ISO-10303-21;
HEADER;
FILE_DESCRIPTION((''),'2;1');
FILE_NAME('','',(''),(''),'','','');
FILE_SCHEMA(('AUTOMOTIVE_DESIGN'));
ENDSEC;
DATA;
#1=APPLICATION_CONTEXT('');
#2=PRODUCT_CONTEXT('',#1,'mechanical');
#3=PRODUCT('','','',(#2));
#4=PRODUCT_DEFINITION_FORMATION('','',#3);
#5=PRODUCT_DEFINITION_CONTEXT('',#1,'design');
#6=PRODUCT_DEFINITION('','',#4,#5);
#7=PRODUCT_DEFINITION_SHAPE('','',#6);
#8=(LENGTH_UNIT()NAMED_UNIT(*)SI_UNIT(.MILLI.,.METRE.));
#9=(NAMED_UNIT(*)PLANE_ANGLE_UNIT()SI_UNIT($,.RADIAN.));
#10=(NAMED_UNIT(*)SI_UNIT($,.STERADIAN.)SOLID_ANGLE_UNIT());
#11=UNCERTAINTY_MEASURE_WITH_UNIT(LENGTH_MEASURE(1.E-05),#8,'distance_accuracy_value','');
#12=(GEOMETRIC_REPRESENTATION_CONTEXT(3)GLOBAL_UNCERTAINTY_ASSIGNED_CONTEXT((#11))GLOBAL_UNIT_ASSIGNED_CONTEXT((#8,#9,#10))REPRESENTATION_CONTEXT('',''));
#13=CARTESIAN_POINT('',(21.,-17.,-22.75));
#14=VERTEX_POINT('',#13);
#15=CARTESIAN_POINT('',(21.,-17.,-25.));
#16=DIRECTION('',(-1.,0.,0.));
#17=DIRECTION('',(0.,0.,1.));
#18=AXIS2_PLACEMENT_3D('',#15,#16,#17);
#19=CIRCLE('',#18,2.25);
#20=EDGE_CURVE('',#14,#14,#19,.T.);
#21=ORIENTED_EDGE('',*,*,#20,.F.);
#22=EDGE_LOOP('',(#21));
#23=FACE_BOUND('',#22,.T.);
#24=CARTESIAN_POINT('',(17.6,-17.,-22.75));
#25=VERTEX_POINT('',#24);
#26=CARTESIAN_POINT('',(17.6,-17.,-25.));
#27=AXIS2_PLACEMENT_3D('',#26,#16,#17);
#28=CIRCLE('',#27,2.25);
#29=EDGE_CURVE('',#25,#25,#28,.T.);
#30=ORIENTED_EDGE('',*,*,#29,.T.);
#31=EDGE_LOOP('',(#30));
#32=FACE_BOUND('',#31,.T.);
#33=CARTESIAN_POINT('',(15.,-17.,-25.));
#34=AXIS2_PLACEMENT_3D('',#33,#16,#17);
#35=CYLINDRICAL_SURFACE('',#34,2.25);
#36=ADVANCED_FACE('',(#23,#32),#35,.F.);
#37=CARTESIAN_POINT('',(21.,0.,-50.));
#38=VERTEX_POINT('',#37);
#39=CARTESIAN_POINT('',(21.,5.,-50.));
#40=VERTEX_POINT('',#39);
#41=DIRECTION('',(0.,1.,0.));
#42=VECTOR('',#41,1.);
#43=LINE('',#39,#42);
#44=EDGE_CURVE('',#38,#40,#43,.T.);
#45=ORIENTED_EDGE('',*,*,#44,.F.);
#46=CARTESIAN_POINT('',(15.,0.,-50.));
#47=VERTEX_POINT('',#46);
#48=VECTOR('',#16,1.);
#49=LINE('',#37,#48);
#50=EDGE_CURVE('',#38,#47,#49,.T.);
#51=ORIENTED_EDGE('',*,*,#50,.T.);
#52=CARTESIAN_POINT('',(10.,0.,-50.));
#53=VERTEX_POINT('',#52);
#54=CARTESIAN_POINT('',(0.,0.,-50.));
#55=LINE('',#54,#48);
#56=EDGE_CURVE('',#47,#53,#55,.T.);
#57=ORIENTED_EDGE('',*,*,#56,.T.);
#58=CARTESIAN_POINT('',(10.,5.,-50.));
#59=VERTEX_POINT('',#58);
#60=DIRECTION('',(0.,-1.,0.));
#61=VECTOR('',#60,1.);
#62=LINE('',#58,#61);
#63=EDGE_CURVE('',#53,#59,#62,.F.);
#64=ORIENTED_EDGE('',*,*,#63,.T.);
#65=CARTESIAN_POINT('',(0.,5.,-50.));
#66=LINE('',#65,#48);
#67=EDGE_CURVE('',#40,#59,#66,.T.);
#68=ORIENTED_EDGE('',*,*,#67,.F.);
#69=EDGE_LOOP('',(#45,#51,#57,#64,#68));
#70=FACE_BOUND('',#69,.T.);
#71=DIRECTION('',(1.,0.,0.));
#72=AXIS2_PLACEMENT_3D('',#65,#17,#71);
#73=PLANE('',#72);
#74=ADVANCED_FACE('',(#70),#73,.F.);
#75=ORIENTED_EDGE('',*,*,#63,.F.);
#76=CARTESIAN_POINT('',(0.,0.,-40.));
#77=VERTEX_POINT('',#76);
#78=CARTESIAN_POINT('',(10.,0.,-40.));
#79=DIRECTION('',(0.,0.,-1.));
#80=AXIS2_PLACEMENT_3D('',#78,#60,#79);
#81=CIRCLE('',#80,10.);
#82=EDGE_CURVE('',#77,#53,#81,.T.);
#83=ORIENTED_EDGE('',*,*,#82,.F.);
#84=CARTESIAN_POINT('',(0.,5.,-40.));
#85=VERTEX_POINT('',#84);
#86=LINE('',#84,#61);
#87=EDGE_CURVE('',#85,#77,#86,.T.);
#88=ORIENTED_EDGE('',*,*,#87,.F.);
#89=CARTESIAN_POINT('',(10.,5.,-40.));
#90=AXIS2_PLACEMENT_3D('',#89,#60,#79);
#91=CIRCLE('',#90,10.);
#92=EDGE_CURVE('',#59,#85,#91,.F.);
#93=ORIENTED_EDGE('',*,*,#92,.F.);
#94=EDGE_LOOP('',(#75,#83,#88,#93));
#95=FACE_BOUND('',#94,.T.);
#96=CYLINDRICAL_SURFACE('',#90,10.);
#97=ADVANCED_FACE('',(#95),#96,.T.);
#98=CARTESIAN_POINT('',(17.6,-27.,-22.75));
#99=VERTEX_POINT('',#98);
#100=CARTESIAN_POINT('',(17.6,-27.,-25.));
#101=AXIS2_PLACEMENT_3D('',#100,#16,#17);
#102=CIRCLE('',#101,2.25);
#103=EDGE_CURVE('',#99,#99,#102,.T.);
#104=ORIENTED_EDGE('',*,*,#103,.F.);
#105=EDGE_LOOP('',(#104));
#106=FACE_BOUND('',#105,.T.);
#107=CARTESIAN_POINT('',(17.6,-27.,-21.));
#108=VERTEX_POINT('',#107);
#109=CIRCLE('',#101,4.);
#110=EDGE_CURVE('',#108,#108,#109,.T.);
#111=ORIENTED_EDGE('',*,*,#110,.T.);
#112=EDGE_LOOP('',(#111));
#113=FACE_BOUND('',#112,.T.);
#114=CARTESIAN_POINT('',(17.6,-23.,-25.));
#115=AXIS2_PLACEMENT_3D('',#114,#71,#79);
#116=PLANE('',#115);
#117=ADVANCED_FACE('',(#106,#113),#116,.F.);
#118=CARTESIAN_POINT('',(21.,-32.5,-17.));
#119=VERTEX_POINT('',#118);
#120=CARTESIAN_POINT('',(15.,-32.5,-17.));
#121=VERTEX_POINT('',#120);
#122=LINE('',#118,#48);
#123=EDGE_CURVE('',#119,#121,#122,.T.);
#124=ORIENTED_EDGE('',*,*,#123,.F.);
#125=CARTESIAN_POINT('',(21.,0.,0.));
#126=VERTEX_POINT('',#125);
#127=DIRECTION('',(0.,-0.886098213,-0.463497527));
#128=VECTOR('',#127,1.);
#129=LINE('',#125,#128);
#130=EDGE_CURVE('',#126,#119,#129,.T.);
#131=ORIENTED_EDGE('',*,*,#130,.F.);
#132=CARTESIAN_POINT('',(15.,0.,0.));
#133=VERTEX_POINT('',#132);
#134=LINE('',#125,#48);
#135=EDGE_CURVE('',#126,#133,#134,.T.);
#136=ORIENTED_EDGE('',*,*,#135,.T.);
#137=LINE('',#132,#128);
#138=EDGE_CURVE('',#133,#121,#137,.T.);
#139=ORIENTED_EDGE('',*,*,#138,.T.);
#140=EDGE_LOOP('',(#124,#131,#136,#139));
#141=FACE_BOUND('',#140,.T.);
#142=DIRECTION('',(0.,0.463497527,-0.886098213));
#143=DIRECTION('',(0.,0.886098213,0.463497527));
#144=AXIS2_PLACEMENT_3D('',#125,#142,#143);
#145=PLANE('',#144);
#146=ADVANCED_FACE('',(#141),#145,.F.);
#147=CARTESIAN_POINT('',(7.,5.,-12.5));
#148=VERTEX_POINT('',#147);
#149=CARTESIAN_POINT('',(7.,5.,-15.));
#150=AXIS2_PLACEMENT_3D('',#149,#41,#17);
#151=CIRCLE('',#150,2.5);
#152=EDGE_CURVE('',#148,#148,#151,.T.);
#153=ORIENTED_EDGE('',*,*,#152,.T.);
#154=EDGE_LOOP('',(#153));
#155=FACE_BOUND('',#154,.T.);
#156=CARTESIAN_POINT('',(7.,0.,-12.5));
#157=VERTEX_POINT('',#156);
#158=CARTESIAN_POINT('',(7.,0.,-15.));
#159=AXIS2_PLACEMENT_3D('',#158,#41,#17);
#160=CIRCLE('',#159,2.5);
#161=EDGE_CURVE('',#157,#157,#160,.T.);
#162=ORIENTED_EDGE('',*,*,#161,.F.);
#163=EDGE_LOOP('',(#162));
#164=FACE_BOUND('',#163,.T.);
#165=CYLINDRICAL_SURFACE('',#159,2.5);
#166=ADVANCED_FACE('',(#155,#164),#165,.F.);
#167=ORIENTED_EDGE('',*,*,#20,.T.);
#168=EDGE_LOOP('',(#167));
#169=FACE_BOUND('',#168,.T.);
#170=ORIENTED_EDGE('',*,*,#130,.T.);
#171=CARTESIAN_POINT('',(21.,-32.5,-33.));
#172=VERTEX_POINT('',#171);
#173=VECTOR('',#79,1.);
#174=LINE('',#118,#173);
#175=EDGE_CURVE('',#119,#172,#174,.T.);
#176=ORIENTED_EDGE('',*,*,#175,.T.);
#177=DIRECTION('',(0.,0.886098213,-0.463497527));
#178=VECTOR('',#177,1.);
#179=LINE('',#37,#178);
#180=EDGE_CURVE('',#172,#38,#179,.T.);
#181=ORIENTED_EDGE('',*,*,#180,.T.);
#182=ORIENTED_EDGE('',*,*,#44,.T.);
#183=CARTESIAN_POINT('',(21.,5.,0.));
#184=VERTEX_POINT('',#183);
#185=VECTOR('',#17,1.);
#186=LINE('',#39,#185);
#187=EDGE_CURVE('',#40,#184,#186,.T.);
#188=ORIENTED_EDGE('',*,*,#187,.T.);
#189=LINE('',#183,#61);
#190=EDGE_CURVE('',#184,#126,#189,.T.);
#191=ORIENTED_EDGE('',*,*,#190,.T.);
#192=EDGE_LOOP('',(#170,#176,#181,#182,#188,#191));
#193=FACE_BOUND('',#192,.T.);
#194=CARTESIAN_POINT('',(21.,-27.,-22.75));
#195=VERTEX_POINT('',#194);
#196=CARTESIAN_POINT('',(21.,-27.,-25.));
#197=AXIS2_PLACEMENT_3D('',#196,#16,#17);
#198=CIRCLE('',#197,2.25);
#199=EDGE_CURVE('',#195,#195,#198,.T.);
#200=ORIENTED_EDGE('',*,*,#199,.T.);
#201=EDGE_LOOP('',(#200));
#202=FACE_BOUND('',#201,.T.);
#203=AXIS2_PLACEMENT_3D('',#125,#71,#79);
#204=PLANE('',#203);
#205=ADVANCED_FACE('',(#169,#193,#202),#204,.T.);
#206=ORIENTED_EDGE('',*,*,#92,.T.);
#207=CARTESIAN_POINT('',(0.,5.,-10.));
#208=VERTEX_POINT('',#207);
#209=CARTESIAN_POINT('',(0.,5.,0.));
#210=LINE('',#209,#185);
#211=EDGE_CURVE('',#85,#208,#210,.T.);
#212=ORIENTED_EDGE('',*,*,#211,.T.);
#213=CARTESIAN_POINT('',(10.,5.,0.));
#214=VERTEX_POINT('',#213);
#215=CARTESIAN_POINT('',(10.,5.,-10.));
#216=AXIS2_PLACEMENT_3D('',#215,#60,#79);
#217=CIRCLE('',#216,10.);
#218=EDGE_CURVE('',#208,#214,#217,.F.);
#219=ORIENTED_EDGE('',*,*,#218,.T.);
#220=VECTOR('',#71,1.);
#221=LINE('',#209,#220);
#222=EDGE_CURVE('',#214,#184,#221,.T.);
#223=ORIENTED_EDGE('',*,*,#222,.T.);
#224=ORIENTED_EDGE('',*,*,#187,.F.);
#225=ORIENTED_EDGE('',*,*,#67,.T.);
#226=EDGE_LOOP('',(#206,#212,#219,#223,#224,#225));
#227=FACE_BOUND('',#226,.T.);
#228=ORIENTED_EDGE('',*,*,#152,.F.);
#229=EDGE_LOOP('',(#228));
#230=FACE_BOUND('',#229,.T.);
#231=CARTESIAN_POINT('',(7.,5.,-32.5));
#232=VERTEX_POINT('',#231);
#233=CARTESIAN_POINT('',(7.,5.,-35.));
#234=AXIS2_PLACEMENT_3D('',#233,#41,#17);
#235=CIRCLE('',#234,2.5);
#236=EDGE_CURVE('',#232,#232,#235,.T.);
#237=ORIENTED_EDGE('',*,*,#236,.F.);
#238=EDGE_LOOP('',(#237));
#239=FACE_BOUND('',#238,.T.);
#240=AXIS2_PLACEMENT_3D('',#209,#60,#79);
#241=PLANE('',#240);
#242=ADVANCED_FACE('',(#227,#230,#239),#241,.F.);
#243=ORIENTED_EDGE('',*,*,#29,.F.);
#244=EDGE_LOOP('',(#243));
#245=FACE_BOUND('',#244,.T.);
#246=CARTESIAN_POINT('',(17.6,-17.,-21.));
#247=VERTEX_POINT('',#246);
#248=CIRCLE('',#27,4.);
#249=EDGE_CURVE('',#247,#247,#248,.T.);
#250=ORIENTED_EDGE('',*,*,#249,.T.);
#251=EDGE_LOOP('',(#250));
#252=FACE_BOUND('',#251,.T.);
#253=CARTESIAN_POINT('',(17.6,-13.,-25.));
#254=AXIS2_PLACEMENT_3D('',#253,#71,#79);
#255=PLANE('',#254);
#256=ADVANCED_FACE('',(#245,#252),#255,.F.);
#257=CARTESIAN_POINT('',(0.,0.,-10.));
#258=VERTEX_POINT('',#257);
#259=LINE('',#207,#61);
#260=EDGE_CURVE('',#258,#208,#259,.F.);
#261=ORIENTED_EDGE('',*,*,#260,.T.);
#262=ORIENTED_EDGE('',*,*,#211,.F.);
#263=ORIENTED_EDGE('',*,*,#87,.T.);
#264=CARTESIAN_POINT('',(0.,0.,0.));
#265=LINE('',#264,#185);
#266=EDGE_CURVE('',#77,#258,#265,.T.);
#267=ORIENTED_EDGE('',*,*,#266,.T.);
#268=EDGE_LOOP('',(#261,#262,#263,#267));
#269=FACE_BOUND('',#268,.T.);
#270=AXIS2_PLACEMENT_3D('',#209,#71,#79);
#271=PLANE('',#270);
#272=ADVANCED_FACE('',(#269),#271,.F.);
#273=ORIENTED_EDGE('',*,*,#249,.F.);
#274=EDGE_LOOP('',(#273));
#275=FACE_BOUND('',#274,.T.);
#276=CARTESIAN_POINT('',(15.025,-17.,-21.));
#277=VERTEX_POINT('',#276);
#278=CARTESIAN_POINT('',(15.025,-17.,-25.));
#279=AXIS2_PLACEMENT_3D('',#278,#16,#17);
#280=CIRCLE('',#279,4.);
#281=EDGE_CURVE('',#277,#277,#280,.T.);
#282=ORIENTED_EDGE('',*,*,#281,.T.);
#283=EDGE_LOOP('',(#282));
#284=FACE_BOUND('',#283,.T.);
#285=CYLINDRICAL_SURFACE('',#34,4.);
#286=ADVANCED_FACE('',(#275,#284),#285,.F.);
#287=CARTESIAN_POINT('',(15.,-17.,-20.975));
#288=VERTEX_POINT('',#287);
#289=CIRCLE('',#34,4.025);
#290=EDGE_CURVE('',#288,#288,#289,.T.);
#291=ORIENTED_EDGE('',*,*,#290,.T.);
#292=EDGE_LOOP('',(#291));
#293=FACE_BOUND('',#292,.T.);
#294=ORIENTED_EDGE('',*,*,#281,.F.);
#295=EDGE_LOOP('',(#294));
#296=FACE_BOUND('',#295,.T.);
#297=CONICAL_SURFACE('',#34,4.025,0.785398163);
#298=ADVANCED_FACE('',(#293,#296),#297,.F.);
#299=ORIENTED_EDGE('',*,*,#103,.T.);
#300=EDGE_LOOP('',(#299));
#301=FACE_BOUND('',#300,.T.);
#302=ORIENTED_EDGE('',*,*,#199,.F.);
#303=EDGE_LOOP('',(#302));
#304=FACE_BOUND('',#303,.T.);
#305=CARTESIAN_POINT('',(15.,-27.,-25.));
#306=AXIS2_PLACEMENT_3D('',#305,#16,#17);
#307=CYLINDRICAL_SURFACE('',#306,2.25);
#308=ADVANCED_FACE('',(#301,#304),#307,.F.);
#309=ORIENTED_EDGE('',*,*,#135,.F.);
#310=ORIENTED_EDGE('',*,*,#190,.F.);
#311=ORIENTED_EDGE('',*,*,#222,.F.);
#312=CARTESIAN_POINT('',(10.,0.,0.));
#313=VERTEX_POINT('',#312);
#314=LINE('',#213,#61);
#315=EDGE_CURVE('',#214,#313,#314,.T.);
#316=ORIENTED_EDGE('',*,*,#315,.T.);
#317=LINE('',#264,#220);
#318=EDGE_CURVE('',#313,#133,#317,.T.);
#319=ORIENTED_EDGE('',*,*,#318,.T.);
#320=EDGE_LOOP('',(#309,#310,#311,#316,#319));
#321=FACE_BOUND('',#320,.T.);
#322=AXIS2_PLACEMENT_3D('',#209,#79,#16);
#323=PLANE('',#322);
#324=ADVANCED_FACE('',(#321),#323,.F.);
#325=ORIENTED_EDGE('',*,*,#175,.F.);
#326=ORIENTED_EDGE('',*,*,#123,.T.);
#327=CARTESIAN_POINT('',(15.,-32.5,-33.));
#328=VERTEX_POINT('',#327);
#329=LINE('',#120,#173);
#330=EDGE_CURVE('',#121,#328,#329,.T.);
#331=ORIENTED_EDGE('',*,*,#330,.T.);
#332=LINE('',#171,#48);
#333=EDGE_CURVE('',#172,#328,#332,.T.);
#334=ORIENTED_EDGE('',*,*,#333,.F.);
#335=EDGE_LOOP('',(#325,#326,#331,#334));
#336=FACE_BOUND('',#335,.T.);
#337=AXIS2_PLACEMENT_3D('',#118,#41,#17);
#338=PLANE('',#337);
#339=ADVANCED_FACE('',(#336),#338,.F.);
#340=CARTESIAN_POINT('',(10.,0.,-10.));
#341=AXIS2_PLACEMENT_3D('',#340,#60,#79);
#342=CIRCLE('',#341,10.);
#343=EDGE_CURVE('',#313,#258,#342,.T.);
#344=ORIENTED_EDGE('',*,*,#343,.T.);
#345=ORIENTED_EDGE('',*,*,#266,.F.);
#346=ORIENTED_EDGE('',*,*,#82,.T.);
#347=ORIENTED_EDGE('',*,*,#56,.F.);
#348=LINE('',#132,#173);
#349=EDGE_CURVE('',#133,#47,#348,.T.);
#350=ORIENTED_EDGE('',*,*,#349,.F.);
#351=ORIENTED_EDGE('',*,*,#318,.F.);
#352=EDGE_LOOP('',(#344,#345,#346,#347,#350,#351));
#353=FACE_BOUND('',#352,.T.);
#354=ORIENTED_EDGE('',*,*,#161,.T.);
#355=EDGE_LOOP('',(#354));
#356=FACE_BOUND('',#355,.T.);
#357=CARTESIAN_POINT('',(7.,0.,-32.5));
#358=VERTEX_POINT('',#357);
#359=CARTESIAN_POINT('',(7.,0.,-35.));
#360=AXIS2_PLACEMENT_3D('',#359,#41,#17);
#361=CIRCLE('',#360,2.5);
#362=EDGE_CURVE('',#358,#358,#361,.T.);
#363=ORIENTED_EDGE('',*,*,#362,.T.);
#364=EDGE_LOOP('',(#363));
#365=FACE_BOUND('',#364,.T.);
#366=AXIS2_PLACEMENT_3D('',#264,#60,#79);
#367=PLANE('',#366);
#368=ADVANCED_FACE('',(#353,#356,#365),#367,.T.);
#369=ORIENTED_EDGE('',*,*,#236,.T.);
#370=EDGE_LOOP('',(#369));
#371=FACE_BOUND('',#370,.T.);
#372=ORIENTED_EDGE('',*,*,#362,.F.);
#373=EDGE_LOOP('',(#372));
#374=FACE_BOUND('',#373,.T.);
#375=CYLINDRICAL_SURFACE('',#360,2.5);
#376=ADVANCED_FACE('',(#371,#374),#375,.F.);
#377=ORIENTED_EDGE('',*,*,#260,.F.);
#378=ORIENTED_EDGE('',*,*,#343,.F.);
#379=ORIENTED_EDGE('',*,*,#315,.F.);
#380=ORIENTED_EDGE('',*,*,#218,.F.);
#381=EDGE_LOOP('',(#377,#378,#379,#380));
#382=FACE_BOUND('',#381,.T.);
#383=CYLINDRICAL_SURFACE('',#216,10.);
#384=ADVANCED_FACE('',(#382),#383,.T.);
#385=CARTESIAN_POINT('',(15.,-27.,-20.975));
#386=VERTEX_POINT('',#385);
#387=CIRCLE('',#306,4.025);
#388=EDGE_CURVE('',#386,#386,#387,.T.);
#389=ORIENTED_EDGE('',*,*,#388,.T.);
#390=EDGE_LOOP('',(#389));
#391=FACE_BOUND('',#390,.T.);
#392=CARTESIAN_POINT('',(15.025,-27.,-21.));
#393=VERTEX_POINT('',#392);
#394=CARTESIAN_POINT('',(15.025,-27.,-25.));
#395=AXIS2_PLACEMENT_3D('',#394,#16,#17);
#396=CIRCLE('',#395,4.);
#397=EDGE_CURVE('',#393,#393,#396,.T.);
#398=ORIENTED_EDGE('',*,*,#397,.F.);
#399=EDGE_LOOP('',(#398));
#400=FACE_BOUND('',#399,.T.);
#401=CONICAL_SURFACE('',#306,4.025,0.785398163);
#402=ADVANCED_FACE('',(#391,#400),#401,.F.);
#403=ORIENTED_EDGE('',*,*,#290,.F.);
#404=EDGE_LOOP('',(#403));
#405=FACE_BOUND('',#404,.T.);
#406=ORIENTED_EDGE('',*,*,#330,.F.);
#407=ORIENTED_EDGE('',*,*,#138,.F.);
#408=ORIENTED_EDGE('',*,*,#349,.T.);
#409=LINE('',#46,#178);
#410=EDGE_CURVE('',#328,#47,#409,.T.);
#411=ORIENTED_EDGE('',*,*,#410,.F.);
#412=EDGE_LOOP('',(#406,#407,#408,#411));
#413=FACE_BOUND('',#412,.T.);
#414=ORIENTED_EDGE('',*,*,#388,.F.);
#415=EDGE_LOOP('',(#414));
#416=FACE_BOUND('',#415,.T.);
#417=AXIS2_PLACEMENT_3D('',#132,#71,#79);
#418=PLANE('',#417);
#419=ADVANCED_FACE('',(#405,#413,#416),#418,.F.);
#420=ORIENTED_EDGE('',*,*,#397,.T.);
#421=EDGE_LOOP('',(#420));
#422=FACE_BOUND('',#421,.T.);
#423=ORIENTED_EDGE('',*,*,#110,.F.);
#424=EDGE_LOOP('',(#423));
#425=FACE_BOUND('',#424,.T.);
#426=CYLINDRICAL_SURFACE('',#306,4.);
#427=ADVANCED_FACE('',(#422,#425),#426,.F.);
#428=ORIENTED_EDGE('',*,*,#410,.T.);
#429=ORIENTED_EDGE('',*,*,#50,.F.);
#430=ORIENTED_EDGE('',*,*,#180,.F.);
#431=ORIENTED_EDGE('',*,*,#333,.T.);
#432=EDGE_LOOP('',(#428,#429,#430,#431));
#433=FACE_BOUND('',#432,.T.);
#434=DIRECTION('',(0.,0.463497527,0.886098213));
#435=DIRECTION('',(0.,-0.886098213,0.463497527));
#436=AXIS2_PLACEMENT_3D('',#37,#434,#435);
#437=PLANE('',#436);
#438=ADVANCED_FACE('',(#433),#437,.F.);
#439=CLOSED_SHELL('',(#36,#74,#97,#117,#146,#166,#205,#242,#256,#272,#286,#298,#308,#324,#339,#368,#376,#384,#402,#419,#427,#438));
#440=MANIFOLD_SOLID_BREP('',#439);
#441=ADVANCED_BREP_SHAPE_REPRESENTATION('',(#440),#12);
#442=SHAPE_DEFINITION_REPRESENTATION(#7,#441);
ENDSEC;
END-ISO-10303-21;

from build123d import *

# Parameters (mm, degrees)
ESBO_O1_W                                    = 15
ESBO_O1_H                                    = 50
RESSALTO_EXTRUS_O1_DEPTH                     = 5
ESBO_O2_R                                    = 2.5
CORTE_EXTRUS_O1_DEPTH                        = 53.440442409
FILETE1_R                                    = 10
RESSALTO_EXTRUS_O2_DEPTH                     = 6
REBAIXO_PARA_PARAFUSO_COM_CABE_A_RED_2_COUNT = 2
REBAIXO_PARA_PARAFUSO_COM_CABE_A_RED_2_PITCH = 10


with BuildPart() as part:
    # Esboço1 → Ressalto-extrusão1 (new body)
    with BuildSketch(Plane(origin=(0, 0, 0), x_dir=(1, 0, 0), z_dir=(0, 1, 0))):
        with Locations((7.5, 25)):
            Rectangle(ESBO_O1_W, ESBO_O1_H)
    extrude(amount=RESSALTO_EXTRUS_O1_DEPTH)

    # Esboço2 → Corte-extrusão1 (cut, through all)
    with BuildSketch(Plane(origin=(0, 5, 0), x_dir=(1, 0, 0), z_dir=(0, 1, 0))):
        with Locations(Location((7, 35, 0), (0, 0, 270))):
            Circle(ESBO_O2_R)
        with Locations(Location((7, 15, 0), (0, 0, 270))):
            Circle(ESBO_O2_R)
    extrude(amount=-CORTE_EXTRUS_O1_DEPTH, mode=Mode.SUBTRACT)

    # Filete1
    filete1_edges = [part.edges().sort_by_distance(p)[0] for p in [
        (0, 2.5, -50),
        (0, 2.5, 0),
    ]]
    fillet(filete1_edges, radius=FILETE1_R)

    # Esboço3 → Ressalto-extrusão2 (add)
    with BuildSketch(Plane(origin=(15, 0, 0), x_dir=(0, 0, -1), z_dir=(1, 0, 0))):
        Polygon((50, 5), (0, 5), (0, 0), (17, -32.5), (33, -32.5), (50, 0), align=None)
    extrude(amount=RESSALTO_EXTRUS_O2_DEPTH)

    # Esboço6 → Rebaixo para parafuso com cabeça redonda de M41 (revolve, cut)
    with BuildSketch(Plane(origin=(15, -27, -25), x_dir=(0, 0, 1), z_dir=(0, 1, 0))):
        Polygon((0, 0), (0, 6), (2.25, 6), (2.25, 2.6), (4, 2.6), (4, 0.025), (4.025, 0), align=None)
    rebaixo_para_parafuso_com_cabe_a_redonda = revolve(axis=Axis((8.65, -27, -25), (1, 0, 0)), mode=Mode.SUBTRACT)

    # Rebaixo para parafuso com cabe_a red 2: Rebaixo para parafuso com cabeça redonda de M41 ×2
    with Locations(*[(0, i * REBAIXO_PARA_PARAFUSO_COM_CABE_A_RED_2_PITCH, 0) for i in range(1, REBAIXO_PARA_PARAFUSO_COM_CABE_A_RED_2_COUNT)]):
        add(rebaixo_para_parafuso_com_cabe_a_redonda, mode=Mode.SUBTRACT)


solid = part.part
